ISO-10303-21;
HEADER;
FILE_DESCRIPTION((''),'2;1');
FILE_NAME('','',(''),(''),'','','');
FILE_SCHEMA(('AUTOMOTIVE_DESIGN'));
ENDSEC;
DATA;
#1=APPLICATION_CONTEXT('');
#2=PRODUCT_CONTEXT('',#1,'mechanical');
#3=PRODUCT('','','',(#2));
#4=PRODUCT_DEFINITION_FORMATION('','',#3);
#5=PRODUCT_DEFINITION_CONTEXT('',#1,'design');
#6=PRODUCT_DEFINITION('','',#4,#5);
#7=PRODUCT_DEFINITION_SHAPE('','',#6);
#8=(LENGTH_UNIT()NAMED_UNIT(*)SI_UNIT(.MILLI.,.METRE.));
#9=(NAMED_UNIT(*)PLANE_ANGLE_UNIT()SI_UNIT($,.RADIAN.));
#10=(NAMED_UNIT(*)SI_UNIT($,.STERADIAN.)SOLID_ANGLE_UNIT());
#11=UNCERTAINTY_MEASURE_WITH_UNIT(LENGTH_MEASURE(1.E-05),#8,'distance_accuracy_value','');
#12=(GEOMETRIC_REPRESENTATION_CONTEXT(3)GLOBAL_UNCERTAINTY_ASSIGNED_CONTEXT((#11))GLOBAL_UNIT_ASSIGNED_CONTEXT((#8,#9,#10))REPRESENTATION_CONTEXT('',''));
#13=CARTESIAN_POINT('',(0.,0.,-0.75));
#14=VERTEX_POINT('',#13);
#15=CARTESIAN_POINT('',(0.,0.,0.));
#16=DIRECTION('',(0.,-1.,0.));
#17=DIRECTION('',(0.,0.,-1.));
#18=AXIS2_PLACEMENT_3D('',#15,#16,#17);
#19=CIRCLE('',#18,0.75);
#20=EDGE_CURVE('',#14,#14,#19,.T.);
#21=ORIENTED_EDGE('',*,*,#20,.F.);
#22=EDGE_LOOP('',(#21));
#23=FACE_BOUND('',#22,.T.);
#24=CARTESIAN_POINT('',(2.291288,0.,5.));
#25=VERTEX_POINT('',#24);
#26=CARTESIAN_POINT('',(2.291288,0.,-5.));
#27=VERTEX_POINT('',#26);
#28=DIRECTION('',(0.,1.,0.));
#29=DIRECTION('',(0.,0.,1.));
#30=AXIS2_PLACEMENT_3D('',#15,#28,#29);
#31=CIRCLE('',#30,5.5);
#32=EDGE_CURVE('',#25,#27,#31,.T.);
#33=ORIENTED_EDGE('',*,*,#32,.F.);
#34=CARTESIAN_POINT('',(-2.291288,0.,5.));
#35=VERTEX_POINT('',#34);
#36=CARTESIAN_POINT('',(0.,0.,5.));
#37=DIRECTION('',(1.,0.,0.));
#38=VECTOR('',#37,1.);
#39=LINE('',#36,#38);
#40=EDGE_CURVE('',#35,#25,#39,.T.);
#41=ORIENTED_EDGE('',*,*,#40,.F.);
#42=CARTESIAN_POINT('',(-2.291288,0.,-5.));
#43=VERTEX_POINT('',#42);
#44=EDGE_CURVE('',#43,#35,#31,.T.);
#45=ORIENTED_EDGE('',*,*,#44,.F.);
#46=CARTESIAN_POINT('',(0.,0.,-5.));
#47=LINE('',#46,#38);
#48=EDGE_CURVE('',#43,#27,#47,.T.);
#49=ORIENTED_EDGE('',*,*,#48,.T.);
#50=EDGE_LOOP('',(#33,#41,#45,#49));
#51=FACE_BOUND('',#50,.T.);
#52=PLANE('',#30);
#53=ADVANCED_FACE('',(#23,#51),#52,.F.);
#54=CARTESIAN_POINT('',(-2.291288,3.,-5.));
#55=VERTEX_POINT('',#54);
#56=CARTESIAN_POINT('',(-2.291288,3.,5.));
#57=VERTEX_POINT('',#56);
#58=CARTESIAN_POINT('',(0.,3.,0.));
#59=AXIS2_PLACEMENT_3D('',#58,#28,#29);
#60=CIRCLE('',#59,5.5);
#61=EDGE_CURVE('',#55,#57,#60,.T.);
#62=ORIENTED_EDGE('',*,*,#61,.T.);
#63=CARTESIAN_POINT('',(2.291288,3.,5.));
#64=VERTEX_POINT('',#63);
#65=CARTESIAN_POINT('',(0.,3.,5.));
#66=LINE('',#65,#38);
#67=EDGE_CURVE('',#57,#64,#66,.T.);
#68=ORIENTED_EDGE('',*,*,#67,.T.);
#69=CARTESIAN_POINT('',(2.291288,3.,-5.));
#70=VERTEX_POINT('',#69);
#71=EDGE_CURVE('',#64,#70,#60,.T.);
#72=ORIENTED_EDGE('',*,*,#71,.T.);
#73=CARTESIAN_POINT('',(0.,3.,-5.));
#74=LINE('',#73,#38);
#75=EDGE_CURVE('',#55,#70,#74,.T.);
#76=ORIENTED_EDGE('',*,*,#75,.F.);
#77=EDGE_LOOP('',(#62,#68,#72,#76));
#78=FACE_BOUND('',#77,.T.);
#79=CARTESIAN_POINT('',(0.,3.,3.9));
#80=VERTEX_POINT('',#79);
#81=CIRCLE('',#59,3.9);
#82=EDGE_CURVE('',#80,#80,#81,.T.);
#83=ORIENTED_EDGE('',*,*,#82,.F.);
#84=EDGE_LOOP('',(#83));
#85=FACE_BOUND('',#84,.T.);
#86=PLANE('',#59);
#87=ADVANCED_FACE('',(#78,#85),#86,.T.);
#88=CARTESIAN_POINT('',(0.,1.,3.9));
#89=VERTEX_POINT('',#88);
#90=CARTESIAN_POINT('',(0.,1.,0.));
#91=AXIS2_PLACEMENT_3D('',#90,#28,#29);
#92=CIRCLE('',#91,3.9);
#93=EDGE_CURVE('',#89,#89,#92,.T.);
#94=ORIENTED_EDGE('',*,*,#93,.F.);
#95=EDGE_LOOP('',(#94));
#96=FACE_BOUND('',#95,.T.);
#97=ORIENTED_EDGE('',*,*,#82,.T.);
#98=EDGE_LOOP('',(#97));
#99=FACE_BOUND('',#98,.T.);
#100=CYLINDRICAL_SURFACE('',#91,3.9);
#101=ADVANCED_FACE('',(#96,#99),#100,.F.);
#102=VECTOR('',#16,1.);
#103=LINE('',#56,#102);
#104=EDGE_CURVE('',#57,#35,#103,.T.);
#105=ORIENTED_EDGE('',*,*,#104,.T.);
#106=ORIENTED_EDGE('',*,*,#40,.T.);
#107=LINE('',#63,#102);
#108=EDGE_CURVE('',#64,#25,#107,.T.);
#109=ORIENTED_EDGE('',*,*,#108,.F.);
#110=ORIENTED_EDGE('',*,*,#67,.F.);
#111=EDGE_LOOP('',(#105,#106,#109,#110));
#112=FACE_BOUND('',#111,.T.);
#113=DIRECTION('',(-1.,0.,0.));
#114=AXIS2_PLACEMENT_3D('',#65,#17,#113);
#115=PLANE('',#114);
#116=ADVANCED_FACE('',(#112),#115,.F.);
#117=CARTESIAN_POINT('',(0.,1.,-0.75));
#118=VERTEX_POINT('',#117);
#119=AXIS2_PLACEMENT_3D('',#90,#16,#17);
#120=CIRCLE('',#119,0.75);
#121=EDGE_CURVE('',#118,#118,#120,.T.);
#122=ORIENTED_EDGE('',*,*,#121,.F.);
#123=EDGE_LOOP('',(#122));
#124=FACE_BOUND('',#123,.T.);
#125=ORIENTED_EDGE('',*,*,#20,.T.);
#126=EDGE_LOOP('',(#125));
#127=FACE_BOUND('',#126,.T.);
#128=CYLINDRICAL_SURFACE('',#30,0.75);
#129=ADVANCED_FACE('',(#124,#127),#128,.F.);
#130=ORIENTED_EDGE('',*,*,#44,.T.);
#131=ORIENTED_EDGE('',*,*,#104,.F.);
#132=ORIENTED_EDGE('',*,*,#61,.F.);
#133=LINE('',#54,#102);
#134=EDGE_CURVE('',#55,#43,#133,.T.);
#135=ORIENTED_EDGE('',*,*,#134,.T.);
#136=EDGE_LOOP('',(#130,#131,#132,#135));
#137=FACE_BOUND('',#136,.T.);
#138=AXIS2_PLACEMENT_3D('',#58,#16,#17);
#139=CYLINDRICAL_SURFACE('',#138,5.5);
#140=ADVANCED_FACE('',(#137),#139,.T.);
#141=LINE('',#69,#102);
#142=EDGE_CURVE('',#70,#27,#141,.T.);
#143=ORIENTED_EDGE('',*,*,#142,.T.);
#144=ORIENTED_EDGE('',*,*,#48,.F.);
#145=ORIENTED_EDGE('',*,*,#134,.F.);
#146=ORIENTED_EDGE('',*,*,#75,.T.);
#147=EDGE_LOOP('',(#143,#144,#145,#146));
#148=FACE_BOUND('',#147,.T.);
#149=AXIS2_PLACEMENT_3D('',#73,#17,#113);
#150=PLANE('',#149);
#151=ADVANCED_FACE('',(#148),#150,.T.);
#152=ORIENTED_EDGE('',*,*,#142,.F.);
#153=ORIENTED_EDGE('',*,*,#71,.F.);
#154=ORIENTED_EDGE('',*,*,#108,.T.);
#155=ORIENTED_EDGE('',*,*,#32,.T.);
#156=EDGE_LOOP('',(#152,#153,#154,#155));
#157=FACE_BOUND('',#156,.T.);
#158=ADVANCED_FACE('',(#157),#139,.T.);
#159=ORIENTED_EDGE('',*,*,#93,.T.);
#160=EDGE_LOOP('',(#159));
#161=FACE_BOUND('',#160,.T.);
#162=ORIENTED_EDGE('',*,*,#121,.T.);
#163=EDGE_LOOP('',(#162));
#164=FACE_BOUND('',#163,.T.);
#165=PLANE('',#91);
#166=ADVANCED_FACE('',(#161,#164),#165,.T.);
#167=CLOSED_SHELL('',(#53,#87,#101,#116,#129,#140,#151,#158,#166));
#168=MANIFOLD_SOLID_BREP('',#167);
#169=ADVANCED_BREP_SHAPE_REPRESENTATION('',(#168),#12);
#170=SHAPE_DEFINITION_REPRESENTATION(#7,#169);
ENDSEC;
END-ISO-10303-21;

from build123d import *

# Parameters (mm, degrees)
SKETCH_1_R          = 5
EXTRUDE_1_DEPTH     = 3
SKETCH_2_R          = 3.9
CUT_EXTRUDE_1_DEPTH = 2
SKETCH_3_R          = 0.75
CUT_EXTRUDE_2_DEPTH = 8.697402159


with BuildPart() as part:
    # 草图1 → 凸台-拉伸1 (new body)
    with BuildSketch(Plane(origin=(0, 0, 0), x_dir=(1, 0, 0), z_dir=(0, 1, 0))):
        with BuildLine():
            ThreePointArc((-2.291287847, 5), (-5.5, 0), (-2.291287847, -5))
            Line((-2.291287847, -5), (0, -5))
            ThreePointArc((0, -5), (-5, 0), (0, 5))
            Line((0, 5), (-2.291287847, 5))
        make_face()
        with BuildLine():
            ThreePointArc((5, 0), (3.535533906, -3.535533906), (0, -5))
            Line((0, -5), (2.291287847, -5))
            ThreePointArc((2.291287847, -5), (4.628827236, -2.970514841), (5.5, 0))
            ThreePointArc((5.5, 0), (4.628827236, 2.970514841), (2.291287847, 5))
            Line((2.291287847, 5), (0, 5))
            ThreePointArc((0, 5), (3.535533906, 3.535533906), (5, 0))
        make_face()
        Circle(SKETCH_1_R)
    extrude(amount=EXTRUDE_1_DEPTH)

    # 草图2 → 切除-拉伸1 (cut)
    with BuildSketch(Plane(origin=(0, 3, 0), x_dir=(1, 0, 0), z_dir=(0, 1, 0))):
        with Locations(Location((0, 0, 0), (0, 0, 270))):
            Circle(SKETCH_2_R)
    extrude(amount=-CUT_EXTRUDE_1_DEPTH, mode=Mode.SUBTRACT)

    # 草图3 → 切除-拉伸2 (cut, through all)
    with BuildSketch(Plane(origin=(0, 1, 0), x_dir=(-1, 0, 0), z_dir=(0, -1, 0))):
        with Locations(Location((0, 0, 0), (0, 0, 90))):
            Circle(SKETCH_3_R)
    extrude(amount=CUT_EXTRUDE_2_DEPTH, mode=Mode.SUBTRACT)


solid = part.part
